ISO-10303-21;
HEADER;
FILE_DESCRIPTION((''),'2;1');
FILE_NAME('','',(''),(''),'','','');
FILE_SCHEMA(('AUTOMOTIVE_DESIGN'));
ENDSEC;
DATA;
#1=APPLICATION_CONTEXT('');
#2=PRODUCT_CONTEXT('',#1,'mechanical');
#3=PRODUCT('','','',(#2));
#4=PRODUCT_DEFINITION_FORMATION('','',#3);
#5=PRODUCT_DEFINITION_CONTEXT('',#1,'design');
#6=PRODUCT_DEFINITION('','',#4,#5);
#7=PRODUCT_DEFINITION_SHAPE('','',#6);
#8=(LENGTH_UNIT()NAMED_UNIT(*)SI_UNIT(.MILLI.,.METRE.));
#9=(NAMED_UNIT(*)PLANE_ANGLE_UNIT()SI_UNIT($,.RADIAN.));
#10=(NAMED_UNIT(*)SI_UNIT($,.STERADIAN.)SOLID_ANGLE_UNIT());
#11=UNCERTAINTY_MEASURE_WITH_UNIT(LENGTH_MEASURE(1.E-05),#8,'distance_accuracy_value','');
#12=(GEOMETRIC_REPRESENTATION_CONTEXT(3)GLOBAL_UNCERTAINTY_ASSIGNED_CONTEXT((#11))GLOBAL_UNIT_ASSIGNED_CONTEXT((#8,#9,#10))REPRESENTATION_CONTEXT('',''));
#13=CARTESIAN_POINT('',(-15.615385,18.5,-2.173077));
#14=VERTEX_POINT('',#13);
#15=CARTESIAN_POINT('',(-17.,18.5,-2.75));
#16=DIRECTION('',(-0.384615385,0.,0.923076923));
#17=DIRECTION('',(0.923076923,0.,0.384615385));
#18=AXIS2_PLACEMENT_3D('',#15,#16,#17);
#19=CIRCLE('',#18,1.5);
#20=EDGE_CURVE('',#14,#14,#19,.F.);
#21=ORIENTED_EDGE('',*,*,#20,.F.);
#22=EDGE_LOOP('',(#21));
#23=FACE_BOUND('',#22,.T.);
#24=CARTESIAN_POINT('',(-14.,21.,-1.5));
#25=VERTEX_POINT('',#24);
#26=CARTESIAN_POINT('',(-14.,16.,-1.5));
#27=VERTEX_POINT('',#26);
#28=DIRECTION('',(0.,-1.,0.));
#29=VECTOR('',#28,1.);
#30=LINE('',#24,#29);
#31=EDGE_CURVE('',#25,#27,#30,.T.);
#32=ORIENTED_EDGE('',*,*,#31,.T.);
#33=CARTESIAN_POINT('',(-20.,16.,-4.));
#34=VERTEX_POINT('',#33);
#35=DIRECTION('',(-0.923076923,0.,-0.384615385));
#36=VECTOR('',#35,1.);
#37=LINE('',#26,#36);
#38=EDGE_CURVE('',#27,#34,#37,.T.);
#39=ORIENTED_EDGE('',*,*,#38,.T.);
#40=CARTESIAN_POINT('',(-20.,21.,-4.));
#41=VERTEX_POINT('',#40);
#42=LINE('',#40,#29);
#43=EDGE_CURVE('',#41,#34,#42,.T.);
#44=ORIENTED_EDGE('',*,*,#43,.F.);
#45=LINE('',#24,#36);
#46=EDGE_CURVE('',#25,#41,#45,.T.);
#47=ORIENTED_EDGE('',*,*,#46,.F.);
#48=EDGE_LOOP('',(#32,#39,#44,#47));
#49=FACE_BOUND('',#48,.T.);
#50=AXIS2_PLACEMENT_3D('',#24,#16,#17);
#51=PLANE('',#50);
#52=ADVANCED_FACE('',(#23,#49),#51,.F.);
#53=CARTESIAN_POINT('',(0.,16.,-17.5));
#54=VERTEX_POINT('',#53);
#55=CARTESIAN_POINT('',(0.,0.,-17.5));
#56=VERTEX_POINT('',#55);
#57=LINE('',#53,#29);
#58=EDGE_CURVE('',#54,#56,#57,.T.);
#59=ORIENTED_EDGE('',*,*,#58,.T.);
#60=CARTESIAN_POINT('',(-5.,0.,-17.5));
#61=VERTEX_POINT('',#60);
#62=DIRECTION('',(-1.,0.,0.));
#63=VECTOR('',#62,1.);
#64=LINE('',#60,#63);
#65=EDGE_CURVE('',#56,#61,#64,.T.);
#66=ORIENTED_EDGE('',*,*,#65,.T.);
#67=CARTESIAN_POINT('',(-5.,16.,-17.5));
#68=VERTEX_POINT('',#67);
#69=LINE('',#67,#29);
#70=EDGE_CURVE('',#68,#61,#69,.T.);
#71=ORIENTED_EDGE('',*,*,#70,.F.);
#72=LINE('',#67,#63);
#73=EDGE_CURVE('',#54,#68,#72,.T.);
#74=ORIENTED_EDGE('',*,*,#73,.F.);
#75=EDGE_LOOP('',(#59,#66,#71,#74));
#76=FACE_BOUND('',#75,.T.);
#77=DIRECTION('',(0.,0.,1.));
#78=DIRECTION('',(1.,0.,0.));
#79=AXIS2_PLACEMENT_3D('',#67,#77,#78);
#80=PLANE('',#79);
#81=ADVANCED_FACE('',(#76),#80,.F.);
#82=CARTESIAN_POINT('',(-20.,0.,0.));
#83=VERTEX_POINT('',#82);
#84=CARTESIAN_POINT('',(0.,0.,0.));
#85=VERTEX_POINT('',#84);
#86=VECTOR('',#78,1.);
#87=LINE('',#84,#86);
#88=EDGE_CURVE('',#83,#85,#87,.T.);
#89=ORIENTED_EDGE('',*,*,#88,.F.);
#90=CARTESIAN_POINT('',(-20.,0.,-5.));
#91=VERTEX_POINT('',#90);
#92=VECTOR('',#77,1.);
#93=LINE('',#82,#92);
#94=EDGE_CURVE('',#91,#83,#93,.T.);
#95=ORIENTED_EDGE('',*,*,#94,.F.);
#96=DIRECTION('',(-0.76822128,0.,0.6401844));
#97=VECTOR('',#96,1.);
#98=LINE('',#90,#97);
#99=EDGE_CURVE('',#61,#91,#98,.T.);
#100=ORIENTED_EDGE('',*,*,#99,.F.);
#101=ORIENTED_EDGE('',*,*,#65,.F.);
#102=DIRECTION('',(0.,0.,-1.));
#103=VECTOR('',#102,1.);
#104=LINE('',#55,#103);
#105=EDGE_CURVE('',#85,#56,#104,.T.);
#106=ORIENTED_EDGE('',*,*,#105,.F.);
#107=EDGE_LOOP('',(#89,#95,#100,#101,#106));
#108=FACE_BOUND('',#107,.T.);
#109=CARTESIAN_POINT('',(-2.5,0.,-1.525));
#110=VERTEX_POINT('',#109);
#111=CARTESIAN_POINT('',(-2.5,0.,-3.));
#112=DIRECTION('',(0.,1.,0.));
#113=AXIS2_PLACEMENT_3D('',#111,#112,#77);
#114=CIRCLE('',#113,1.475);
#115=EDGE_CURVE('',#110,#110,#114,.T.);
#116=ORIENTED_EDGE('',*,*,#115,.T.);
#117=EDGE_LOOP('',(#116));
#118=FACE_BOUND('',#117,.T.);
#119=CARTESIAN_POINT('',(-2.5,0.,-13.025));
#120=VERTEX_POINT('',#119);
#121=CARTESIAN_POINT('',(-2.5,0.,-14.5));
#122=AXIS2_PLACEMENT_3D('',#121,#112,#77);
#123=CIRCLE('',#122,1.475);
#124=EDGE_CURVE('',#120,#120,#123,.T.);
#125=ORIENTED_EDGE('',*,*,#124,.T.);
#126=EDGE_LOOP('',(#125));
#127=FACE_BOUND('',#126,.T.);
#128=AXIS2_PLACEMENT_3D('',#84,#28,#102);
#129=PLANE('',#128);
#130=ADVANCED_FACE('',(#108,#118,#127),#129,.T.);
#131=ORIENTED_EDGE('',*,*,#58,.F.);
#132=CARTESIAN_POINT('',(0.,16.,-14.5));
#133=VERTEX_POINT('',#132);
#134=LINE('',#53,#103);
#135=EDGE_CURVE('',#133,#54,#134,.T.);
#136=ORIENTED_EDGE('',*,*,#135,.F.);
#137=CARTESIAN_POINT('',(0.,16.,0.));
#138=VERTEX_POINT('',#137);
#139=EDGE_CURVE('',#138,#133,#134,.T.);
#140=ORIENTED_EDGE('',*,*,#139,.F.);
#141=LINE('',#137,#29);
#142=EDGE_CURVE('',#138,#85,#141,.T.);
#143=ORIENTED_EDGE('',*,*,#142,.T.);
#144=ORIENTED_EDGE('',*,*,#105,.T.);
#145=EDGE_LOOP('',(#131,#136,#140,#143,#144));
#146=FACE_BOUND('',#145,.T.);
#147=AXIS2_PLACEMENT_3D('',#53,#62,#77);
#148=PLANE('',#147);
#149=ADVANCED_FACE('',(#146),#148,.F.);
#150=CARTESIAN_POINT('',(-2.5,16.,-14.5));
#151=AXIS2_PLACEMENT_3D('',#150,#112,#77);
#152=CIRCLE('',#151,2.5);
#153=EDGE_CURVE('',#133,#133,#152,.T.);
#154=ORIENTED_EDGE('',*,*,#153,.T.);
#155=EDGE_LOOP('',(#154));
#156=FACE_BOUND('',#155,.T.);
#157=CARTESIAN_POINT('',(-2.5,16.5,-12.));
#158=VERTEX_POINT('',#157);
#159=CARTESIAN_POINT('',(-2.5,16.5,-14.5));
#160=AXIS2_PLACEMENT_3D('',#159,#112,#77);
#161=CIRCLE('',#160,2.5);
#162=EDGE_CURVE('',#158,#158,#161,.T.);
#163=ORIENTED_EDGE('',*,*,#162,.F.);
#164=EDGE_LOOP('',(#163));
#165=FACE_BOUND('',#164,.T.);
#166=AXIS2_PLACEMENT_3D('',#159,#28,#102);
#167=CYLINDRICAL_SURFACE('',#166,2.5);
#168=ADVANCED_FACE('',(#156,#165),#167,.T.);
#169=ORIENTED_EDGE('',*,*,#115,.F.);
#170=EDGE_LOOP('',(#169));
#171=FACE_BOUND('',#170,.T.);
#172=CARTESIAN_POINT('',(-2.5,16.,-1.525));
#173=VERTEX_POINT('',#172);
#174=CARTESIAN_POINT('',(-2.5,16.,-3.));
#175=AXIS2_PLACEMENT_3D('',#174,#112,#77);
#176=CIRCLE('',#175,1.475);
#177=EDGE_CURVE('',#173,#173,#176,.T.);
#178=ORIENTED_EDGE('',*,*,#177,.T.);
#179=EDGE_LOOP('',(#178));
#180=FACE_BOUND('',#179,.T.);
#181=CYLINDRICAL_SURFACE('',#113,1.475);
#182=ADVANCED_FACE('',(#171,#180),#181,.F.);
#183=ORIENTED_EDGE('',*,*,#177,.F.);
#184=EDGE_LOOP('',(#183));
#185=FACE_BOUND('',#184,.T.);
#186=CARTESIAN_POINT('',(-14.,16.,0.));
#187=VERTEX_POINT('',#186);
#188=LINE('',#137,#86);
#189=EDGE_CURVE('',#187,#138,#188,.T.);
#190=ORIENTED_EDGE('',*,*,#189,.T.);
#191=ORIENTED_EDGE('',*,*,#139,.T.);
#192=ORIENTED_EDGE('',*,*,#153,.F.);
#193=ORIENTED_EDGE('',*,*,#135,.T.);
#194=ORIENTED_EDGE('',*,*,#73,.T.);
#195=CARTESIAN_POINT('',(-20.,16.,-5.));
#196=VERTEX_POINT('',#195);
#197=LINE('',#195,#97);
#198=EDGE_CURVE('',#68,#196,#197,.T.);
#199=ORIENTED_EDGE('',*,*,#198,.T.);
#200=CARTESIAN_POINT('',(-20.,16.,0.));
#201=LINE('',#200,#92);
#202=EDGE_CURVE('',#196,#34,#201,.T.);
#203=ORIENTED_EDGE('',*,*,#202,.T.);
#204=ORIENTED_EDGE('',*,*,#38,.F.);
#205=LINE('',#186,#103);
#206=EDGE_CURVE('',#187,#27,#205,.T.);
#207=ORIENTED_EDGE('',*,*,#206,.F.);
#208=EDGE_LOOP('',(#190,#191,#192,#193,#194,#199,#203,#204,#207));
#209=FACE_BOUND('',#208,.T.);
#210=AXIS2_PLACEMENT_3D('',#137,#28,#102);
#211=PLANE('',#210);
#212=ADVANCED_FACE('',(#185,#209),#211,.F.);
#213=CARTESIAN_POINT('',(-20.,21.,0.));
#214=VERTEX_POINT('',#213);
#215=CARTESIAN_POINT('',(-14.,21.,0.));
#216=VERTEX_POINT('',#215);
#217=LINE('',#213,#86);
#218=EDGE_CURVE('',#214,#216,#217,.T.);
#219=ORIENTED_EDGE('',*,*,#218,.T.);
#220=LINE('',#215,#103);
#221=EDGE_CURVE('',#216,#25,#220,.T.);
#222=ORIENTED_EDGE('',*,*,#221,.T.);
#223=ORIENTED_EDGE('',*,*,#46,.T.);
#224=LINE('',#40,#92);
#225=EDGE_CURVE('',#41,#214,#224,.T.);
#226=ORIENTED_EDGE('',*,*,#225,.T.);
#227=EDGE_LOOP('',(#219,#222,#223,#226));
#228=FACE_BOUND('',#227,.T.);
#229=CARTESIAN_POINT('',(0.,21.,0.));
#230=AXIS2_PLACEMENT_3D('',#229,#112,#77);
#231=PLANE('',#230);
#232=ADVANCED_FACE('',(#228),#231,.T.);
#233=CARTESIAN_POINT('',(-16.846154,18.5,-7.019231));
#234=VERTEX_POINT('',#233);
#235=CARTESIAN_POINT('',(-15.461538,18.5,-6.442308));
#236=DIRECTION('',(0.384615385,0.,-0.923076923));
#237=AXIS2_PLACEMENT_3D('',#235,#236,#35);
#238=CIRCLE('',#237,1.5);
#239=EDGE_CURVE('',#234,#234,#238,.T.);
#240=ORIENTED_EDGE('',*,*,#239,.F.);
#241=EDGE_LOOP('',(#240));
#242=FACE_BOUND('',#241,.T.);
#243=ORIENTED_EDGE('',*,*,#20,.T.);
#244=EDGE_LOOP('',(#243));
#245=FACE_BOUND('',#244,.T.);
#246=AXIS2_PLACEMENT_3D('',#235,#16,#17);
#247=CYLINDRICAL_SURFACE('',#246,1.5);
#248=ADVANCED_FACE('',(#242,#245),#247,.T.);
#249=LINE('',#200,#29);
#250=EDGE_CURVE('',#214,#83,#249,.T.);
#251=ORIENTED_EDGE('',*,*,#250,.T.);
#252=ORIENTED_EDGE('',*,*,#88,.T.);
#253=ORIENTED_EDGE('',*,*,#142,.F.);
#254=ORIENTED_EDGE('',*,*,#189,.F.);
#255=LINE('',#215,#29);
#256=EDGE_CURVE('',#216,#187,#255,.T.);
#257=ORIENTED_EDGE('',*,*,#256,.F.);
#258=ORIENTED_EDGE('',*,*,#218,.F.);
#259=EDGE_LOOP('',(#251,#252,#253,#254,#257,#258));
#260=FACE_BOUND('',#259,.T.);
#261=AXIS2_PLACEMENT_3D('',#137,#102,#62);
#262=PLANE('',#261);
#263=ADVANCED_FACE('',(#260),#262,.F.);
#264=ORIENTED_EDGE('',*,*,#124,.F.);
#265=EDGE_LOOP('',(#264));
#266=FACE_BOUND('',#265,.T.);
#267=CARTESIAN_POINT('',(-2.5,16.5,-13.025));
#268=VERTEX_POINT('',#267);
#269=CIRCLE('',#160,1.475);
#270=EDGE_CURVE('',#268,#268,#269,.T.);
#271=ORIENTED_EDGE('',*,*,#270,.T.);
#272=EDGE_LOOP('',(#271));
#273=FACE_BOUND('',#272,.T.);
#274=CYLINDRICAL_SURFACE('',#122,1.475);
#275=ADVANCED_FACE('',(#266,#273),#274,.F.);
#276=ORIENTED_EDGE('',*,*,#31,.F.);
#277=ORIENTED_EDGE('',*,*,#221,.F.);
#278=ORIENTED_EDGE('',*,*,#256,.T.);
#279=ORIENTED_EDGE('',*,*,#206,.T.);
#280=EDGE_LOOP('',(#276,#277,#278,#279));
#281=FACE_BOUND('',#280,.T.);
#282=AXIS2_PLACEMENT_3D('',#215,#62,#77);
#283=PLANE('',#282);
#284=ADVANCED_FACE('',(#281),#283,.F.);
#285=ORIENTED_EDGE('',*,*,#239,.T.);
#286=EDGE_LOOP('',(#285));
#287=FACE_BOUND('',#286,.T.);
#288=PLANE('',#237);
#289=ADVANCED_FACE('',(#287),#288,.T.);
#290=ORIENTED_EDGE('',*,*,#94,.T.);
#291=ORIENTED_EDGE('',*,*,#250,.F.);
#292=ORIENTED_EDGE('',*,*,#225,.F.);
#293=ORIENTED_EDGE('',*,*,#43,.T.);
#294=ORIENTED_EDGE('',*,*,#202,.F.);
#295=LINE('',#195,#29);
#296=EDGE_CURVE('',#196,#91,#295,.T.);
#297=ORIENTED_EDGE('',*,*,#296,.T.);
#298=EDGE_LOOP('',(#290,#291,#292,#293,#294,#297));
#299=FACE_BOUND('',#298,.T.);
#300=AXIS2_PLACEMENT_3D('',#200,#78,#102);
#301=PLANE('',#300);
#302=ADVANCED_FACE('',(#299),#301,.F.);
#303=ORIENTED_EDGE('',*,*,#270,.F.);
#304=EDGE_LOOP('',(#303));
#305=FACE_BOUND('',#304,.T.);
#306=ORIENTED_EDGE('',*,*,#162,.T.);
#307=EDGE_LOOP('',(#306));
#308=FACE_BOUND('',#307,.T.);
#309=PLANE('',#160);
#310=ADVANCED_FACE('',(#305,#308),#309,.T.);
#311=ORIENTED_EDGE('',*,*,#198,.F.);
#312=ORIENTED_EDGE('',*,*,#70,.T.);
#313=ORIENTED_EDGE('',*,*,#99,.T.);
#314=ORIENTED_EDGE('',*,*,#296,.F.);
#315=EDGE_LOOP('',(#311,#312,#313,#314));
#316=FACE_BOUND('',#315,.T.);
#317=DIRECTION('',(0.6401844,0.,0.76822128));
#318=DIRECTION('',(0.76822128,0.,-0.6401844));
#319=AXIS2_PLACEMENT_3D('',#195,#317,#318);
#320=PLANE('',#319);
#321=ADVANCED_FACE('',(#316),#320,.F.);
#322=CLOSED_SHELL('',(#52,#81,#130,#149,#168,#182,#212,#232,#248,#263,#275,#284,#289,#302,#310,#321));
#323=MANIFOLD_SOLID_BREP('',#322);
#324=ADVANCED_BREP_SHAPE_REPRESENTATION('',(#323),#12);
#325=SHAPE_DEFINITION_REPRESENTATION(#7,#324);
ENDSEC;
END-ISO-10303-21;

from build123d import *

# Parameters (mm, degrees)
EXTRUDE_1_DEPTH     = 16
SKETCH_3_R          = 1.475
CUT_EXTRUDE_1_DEPTH = 32.020154738
EXTRUDE_2_DEPTH     = 5
EXTRUDE_START       = 0.5
SKETCH_5_R          = 2.5
SKETCH_5_R_2        = 1.475
EXTRUDE_3_DEPTH     = 0.5
SKETCH_6_R          = 1.5
EXTRUDE_4_DEPTH     = 4


with BuildPart() as part:
    # Эскиз2 → Бобышка-Вытянуть1 (new body)
    with BuildSketch(Plane(origin=(0, 0, 0), x_dir=(1, 0, 0), z_dir=(0, 1, 0))):
        Polygon((-20, 5), (-5, 17.5), (0, 17.5), (0, 0), (-20, 0), align=None)
    extrude(amount=EXTRUDE_1_DEPTH)

    # Эскиз3 → Вырез-Вытянуть1 (cut, through all)
    with BuildSketch(Plane(origin=(0, 16, 0), x_dir=(1, 0, 0), z_dir=(0, 1, 0))):
        with Locations(Location((-2.5, 14.5, 0), (0, 0, 270))):
            Circle(SKETCH_3_R)
        with Locations(Location((-2.5, 3, 0), (0, 0, 270))):
            Circle(SKETCH_3_R)
    extrude(amount=-CUT_EXTRUDE_1_DEPTH, mode=Mode.SUBTRACT)

    # Эскиз4 → Бобышка-Вытянуть2 (add)
    with BuildSketch(Plane(origin=(0, 16, 0), x_dir=(1, 0, 0), z_dir=(0, 1, 0))):
        Polygon((-20, 4), (-20, 0), (-14, 0), (-14, 1.5), align=None)
    extrude(amount=EXTRUDE_2_DEPTH)

    # Эскиз5 → Бобышка-Вытянуть3 (add)
    with BuildSketch(Plane(origin=(0, 16, 0), x_dir=(1, 0, 0), z_dir=(0, 1, 0)).offset(EXTRUDE_START)):
        with Locations((-2.5, 14.5)):
            Circle(SKETCH_5_R)
        with Locations(Location((-2.5, 14.5, 0), (0, 0, 270))):
            Circle(SKETCH_5_R_2, mode=Mode.SUBTRACT)
    extrude(amount=-EXTRUDE_3_DEPTH)

    # Эскиз6 → Бобышка-Вытянуть4 (add)
    with BuildSketch(Plane(origin=(-1.538461538, 0, 3.692307692), x_dir=(-0.9230769230769231, 0, -0.3846153846153845), z_dir=(0.3846153846153845, 0, -0.9230769230769231))):
        with Locations(Location((16.75, 18.5, 0), (0, 0, 180))):
            Circle(SKETCH_6_R)
    extrude(amount=EXTRUDE_4_DEPTH)


solid = part.part
